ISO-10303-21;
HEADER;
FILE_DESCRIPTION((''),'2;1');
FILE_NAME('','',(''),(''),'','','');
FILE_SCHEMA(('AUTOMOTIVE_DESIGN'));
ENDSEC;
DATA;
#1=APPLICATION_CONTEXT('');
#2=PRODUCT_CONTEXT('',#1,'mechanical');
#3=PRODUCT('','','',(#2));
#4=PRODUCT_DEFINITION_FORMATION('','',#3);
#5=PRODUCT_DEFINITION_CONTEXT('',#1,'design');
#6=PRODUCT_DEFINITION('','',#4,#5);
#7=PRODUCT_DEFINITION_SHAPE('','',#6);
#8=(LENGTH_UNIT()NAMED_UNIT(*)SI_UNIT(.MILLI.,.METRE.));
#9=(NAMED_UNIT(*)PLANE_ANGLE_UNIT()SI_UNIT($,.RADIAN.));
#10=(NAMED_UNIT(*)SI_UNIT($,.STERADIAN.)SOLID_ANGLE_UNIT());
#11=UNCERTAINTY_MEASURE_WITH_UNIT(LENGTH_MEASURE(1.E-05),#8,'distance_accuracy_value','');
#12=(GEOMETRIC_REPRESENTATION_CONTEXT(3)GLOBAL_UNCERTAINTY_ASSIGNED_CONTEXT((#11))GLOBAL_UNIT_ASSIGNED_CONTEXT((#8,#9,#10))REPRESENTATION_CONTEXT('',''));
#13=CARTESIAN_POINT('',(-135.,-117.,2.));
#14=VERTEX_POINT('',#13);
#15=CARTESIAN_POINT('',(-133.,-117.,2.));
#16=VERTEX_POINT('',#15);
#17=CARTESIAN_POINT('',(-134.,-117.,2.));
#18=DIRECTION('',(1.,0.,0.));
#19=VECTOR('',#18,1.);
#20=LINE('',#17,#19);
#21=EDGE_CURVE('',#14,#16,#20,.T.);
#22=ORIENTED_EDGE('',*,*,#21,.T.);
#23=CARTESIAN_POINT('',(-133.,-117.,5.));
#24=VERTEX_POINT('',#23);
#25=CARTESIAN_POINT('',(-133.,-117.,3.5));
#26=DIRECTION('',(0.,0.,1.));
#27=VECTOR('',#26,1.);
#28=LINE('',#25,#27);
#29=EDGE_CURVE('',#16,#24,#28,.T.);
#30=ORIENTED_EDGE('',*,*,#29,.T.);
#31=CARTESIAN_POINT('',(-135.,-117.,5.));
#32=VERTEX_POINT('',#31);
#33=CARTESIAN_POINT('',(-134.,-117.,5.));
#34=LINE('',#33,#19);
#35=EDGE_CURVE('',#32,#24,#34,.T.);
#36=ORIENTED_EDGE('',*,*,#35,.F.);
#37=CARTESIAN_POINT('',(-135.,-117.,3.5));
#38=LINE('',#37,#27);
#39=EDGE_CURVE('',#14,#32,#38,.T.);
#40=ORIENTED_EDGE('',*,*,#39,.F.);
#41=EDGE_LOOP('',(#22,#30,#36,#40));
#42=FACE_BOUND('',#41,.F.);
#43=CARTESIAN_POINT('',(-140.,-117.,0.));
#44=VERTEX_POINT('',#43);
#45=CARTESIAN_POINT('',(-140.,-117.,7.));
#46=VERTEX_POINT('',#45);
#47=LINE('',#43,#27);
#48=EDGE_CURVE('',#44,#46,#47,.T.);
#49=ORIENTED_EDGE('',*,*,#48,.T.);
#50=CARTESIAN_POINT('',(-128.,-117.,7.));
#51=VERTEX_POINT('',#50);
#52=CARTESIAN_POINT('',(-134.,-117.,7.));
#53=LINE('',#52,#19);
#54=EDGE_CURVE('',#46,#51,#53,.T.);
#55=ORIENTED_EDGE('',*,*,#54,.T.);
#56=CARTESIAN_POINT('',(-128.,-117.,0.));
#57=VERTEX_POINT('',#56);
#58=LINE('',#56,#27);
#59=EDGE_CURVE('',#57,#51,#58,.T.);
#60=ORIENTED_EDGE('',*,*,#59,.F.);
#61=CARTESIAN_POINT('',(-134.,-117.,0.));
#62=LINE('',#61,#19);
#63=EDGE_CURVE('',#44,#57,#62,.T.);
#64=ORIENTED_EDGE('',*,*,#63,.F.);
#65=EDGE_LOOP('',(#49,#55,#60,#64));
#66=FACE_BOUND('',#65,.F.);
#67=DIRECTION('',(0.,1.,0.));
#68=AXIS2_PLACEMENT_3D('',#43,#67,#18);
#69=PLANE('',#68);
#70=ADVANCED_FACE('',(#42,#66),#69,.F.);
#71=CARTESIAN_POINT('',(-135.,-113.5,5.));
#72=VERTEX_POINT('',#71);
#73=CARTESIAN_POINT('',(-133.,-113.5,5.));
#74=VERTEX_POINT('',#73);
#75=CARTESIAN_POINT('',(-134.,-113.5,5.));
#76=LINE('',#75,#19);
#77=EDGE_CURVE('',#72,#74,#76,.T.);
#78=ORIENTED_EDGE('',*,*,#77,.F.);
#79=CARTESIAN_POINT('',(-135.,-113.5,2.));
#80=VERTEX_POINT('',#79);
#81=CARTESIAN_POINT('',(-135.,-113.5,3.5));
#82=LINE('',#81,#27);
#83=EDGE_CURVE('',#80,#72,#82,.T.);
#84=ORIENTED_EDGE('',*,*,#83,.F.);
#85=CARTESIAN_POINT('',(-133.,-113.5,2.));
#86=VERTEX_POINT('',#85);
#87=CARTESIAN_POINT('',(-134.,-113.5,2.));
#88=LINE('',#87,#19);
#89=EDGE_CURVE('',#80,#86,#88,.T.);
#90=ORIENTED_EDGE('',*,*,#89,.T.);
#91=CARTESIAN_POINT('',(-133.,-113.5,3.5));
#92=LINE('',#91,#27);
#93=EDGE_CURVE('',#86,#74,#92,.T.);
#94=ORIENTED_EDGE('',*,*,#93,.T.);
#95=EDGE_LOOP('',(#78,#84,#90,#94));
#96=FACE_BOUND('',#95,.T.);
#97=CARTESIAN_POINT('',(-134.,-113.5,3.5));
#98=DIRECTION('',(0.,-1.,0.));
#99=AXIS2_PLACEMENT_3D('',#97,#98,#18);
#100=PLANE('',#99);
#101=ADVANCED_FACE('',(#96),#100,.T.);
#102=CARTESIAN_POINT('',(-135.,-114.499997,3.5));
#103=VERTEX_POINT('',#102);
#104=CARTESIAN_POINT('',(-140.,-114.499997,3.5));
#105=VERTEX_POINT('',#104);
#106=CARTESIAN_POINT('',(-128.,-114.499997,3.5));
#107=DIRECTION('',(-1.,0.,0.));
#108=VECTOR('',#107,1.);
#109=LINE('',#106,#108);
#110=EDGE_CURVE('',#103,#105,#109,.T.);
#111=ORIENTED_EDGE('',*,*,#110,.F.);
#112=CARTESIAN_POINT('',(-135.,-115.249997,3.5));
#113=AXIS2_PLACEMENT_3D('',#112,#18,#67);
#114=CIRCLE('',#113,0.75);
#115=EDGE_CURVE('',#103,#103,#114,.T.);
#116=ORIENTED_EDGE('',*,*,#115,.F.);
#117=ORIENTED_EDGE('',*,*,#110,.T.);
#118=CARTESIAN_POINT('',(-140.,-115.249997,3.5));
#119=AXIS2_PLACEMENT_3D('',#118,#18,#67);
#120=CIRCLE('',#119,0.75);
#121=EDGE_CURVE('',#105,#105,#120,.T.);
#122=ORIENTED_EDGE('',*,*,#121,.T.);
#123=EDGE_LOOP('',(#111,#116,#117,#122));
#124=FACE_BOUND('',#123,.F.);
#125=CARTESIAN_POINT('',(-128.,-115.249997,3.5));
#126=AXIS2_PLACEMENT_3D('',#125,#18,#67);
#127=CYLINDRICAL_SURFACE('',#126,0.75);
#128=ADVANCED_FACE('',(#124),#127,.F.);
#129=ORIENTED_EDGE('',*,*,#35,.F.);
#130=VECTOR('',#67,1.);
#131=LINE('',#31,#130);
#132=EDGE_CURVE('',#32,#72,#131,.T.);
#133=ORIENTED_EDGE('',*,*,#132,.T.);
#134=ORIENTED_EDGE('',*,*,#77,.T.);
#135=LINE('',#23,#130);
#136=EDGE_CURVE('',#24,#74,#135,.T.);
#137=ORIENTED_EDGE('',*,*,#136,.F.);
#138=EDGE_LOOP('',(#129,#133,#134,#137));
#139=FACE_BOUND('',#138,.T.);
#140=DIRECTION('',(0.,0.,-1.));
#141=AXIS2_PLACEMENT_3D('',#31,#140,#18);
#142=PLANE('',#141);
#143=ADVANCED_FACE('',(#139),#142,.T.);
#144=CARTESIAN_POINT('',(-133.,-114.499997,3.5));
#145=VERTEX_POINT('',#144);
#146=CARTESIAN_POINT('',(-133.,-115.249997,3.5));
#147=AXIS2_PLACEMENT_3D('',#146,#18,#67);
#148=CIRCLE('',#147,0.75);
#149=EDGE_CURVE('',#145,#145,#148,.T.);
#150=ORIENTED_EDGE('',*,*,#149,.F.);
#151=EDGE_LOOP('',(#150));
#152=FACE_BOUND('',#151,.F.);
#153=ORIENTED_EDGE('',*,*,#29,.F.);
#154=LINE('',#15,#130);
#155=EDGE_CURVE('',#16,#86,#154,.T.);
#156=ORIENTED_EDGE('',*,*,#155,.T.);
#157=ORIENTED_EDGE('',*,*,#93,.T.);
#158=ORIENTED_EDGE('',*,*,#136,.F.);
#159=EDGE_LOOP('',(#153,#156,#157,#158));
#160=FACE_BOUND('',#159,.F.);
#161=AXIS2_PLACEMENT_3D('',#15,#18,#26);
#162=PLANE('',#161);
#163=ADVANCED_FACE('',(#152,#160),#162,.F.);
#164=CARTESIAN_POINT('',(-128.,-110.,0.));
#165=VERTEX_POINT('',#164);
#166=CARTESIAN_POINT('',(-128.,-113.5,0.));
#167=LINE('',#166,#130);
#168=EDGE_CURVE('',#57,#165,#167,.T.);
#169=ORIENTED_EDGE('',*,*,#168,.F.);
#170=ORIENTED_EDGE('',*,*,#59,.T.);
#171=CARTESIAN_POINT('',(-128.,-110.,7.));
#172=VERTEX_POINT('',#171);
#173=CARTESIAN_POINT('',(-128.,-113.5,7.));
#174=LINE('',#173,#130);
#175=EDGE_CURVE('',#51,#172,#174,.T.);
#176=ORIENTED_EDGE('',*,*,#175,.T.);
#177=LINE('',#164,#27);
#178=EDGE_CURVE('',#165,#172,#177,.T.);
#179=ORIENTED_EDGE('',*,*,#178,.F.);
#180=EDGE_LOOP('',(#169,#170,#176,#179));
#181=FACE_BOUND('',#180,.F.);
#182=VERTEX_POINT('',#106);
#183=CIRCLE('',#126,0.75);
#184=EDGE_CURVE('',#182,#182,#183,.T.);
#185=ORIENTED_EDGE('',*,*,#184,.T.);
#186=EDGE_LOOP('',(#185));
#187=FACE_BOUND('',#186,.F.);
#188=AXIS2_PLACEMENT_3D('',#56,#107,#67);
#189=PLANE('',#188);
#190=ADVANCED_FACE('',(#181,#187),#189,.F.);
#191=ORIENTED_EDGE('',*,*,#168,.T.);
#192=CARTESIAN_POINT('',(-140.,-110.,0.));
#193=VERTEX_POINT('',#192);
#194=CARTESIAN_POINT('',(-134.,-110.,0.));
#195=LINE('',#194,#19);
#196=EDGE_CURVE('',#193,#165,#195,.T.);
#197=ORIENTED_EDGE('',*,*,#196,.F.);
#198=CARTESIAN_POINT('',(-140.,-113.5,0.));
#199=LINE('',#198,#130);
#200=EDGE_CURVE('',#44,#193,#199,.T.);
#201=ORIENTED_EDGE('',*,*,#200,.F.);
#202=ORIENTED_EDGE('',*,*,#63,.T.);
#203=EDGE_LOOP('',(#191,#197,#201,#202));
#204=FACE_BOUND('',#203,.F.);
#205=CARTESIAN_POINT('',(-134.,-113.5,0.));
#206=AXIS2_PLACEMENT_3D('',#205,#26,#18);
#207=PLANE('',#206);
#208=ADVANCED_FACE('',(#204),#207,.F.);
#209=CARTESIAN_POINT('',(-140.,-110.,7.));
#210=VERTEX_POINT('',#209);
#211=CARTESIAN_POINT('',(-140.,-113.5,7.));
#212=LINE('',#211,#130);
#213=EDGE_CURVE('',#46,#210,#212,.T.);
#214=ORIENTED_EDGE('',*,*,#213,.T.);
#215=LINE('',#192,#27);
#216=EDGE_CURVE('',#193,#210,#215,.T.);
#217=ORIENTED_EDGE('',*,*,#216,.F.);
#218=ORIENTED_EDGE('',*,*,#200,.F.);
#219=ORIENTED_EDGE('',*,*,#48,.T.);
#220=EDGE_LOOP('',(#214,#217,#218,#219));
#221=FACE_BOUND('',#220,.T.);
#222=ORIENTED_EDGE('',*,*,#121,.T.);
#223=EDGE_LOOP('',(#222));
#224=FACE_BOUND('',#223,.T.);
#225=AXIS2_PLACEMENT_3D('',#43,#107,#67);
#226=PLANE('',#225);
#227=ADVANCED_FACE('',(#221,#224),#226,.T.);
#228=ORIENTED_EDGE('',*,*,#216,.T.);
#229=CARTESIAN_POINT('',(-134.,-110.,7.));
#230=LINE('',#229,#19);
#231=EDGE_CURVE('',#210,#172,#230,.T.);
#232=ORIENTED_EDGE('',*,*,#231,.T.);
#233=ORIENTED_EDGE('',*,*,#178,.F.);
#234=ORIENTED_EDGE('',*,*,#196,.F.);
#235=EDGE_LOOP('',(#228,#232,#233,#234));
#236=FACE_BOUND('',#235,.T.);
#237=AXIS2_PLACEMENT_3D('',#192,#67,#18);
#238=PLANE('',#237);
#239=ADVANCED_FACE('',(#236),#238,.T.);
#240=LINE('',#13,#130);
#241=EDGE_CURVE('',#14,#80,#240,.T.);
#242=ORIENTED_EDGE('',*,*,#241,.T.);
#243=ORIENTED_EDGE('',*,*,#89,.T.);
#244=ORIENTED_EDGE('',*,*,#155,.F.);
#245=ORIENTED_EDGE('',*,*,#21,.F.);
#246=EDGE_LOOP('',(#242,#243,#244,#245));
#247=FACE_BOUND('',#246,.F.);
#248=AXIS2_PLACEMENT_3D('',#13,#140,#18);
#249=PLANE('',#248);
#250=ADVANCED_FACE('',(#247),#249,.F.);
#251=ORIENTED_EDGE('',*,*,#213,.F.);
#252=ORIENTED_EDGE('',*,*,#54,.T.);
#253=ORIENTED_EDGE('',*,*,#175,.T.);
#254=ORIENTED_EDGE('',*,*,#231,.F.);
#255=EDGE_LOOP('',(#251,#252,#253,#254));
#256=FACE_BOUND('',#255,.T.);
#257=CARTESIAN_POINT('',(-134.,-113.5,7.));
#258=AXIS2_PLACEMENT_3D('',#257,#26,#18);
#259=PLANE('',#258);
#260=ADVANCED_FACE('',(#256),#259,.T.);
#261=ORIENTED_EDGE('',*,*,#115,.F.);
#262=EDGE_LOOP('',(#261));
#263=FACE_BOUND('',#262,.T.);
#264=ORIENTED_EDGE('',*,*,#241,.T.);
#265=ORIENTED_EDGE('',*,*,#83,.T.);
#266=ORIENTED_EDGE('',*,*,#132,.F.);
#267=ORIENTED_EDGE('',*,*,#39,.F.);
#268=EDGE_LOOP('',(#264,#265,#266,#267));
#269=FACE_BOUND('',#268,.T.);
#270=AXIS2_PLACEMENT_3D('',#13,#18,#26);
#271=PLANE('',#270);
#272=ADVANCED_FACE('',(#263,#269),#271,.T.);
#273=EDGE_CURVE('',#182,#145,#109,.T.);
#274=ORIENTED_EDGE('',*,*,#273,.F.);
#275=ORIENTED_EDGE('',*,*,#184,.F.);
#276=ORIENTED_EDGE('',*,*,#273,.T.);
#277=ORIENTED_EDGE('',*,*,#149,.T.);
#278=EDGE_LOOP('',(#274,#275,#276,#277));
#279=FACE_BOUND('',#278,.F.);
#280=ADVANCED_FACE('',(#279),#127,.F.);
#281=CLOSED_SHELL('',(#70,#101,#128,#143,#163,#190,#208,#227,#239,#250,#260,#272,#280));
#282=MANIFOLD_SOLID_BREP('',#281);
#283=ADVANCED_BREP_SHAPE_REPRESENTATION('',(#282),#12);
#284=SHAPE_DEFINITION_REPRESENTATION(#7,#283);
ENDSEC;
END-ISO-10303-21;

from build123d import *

# Parameters (mm, degrees)
SKETCH087_W      = 12
SKETCH087_H      = 7
EXTRUDE007_DEPTH = 7
SKETCH088_W      = 2
SKETCH088_H      = 3
POCKET018_DEPTH  = 3.5
SKETCH089_R      = 0.75
HOLE018_DEPTH    = 12
HOLE018_TIPS_R   = 0.75


with BuildPart() as part:
    # Sketch087 → Extrude007 (new body)
    with BuildSketch(Plane.XY):
        with Locations((-134, -113.5)):
            Rectangle(SKETCH087_W, SKETCH087_H)
    extrude(amount=EXTRUDE007_DEPTH)

    # Sketch088 (on Face3 of Extrude007) → Pocket018 (cut)
    with BuildSketch(Plane.XZ.offset(117)):
        with Locations((-134, 3.5)):
            Rectangle(SKETCH088_W, SKETCH088_H)
    extrude(amount=-POCKET018_DEPTH, mode=Mode.SUBTRACT)

    # Sketch089 (on Face3 of Pocket018) → Hole018 (cut)
    with BuildSketch(Plane.YZ.offset(-128)):
        with Locations((-115.249997, 3.5)):
            Circle(SKETCH089_R)
    extrude(amount=-HOLE018_DEPTH, mode=Mode.SUBTRACT)

    # Hole018 tips → Hole018 tip 1 section 0
    with BuildSketch(Plane.YZ.offset(-140), mode=Mode.PRIVATE) as hole018_tip_1_s0:
        with Locations((-115.249997, 3.5)):
            Circle(HOLE018_TIPS_R)
    loft([hole018_tip_1_s0.sketch, Vertex(-140.450645, -115.249997, 3.5)], mode=Mode.SUBTRACT)


solid = part.part
